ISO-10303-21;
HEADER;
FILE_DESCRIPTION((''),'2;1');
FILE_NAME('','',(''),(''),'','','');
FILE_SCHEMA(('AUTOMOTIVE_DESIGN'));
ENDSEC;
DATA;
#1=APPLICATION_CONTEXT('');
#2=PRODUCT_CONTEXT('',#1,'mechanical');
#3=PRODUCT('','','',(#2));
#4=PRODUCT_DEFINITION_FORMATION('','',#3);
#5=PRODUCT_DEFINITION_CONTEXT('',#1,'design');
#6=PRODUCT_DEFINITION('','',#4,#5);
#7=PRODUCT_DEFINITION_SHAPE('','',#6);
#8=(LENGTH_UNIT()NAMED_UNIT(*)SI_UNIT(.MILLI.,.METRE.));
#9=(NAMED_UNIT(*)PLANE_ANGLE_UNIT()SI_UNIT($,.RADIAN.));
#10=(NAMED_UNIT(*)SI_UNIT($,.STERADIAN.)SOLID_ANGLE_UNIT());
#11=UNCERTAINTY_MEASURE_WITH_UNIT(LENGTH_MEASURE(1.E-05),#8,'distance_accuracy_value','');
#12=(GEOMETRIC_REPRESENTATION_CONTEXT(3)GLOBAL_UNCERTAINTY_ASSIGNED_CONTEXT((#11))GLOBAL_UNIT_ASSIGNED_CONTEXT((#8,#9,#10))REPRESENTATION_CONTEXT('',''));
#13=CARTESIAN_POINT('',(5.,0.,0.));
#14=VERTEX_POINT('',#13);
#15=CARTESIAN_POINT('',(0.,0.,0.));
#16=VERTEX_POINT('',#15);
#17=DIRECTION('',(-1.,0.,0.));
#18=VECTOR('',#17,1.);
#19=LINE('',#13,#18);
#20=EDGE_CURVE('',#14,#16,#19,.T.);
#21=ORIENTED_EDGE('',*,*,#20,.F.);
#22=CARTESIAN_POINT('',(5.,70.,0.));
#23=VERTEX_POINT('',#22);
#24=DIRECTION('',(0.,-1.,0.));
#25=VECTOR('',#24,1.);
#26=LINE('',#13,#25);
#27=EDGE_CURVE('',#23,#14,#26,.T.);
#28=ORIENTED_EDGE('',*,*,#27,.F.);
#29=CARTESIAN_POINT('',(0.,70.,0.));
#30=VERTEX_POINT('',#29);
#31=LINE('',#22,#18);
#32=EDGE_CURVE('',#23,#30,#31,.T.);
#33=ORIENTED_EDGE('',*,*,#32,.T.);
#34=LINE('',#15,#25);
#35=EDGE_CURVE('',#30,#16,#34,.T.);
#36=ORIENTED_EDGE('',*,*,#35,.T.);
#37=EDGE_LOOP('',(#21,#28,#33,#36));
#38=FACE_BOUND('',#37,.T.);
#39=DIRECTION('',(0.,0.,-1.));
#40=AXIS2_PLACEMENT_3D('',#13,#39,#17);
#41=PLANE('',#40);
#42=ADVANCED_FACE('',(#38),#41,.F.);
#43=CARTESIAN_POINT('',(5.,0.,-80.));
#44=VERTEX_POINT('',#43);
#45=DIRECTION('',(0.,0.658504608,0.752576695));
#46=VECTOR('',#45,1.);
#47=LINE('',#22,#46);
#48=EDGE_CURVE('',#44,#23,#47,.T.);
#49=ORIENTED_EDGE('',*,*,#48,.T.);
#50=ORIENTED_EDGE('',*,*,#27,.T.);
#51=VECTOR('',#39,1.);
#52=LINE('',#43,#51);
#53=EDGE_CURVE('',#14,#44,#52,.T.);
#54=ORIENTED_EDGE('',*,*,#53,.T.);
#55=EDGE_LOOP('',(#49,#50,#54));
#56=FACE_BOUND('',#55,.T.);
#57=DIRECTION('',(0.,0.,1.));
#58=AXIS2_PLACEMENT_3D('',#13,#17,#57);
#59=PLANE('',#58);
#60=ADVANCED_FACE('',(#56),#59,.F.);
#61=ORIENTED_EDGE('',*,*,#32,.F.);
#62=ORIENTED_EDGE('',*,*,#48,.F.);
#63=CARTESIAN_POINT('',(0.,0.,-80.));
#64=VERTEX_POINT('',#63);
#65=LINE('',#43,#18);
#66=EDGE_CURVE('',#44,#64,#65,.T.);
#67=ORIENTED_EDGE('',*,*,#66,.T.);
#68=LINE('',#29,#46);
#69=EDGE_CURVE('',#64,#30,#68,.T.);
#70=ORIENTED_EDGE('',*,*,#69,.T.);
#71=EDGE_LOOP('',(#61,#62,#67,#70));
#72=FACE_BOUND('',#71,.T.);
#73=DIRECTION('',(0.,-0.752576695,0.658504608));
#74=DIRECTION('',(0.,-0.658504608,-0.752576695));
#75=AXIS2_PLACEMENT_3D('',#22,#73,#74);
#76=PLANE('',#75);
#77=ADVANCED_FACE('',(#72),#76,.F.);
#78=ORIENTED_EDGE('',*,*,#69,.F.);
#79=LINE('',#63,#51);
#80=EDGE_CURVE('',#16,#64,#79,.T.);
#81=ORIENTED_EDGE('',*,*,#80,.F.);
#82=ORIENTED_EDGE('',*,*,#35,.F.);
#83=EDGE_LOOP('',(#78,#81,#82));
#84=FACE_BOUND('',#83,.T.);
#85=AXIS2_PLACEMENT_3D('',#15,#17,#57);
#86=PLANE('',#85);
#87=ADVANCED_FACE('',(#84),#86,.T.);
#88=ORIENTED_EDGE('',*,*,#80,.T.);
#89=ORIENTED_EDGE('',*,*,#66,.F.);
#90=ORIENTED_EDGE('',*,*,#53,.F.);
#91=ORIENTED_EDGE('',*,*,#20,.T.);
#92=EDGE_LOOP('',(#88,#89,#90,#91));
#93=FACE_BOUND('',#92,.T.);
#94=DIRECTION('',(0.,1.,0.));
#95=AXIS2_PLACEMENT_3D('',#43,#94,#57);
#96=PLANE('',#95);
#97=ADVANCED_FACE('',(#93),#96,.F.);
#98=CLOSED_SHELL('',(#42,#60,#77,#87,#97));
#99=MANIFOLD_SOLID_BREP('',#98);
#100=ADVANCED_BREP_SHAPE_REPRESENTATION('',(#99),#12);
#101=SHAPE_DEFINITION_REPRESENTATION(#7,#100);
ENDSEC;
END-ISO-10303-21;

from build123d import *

# Parameters (mm, degrees)
BOSS_EXTRUDE1_DEPTH = 5


with BuildPart() as part:
    # Sketch1 → Boss-Extrude1 (new body)
    with BuildSketch(Plane(origin=(0, 0, 0), x_dir=(0, 0, -1), z_dir=(1, 0, 0))):
        Polygon((0, 0), (0, 70), (80, 0), align=None)
    extrude(amount=BOSS_EXTRUDE1_DEPTH)


solid = part.part
